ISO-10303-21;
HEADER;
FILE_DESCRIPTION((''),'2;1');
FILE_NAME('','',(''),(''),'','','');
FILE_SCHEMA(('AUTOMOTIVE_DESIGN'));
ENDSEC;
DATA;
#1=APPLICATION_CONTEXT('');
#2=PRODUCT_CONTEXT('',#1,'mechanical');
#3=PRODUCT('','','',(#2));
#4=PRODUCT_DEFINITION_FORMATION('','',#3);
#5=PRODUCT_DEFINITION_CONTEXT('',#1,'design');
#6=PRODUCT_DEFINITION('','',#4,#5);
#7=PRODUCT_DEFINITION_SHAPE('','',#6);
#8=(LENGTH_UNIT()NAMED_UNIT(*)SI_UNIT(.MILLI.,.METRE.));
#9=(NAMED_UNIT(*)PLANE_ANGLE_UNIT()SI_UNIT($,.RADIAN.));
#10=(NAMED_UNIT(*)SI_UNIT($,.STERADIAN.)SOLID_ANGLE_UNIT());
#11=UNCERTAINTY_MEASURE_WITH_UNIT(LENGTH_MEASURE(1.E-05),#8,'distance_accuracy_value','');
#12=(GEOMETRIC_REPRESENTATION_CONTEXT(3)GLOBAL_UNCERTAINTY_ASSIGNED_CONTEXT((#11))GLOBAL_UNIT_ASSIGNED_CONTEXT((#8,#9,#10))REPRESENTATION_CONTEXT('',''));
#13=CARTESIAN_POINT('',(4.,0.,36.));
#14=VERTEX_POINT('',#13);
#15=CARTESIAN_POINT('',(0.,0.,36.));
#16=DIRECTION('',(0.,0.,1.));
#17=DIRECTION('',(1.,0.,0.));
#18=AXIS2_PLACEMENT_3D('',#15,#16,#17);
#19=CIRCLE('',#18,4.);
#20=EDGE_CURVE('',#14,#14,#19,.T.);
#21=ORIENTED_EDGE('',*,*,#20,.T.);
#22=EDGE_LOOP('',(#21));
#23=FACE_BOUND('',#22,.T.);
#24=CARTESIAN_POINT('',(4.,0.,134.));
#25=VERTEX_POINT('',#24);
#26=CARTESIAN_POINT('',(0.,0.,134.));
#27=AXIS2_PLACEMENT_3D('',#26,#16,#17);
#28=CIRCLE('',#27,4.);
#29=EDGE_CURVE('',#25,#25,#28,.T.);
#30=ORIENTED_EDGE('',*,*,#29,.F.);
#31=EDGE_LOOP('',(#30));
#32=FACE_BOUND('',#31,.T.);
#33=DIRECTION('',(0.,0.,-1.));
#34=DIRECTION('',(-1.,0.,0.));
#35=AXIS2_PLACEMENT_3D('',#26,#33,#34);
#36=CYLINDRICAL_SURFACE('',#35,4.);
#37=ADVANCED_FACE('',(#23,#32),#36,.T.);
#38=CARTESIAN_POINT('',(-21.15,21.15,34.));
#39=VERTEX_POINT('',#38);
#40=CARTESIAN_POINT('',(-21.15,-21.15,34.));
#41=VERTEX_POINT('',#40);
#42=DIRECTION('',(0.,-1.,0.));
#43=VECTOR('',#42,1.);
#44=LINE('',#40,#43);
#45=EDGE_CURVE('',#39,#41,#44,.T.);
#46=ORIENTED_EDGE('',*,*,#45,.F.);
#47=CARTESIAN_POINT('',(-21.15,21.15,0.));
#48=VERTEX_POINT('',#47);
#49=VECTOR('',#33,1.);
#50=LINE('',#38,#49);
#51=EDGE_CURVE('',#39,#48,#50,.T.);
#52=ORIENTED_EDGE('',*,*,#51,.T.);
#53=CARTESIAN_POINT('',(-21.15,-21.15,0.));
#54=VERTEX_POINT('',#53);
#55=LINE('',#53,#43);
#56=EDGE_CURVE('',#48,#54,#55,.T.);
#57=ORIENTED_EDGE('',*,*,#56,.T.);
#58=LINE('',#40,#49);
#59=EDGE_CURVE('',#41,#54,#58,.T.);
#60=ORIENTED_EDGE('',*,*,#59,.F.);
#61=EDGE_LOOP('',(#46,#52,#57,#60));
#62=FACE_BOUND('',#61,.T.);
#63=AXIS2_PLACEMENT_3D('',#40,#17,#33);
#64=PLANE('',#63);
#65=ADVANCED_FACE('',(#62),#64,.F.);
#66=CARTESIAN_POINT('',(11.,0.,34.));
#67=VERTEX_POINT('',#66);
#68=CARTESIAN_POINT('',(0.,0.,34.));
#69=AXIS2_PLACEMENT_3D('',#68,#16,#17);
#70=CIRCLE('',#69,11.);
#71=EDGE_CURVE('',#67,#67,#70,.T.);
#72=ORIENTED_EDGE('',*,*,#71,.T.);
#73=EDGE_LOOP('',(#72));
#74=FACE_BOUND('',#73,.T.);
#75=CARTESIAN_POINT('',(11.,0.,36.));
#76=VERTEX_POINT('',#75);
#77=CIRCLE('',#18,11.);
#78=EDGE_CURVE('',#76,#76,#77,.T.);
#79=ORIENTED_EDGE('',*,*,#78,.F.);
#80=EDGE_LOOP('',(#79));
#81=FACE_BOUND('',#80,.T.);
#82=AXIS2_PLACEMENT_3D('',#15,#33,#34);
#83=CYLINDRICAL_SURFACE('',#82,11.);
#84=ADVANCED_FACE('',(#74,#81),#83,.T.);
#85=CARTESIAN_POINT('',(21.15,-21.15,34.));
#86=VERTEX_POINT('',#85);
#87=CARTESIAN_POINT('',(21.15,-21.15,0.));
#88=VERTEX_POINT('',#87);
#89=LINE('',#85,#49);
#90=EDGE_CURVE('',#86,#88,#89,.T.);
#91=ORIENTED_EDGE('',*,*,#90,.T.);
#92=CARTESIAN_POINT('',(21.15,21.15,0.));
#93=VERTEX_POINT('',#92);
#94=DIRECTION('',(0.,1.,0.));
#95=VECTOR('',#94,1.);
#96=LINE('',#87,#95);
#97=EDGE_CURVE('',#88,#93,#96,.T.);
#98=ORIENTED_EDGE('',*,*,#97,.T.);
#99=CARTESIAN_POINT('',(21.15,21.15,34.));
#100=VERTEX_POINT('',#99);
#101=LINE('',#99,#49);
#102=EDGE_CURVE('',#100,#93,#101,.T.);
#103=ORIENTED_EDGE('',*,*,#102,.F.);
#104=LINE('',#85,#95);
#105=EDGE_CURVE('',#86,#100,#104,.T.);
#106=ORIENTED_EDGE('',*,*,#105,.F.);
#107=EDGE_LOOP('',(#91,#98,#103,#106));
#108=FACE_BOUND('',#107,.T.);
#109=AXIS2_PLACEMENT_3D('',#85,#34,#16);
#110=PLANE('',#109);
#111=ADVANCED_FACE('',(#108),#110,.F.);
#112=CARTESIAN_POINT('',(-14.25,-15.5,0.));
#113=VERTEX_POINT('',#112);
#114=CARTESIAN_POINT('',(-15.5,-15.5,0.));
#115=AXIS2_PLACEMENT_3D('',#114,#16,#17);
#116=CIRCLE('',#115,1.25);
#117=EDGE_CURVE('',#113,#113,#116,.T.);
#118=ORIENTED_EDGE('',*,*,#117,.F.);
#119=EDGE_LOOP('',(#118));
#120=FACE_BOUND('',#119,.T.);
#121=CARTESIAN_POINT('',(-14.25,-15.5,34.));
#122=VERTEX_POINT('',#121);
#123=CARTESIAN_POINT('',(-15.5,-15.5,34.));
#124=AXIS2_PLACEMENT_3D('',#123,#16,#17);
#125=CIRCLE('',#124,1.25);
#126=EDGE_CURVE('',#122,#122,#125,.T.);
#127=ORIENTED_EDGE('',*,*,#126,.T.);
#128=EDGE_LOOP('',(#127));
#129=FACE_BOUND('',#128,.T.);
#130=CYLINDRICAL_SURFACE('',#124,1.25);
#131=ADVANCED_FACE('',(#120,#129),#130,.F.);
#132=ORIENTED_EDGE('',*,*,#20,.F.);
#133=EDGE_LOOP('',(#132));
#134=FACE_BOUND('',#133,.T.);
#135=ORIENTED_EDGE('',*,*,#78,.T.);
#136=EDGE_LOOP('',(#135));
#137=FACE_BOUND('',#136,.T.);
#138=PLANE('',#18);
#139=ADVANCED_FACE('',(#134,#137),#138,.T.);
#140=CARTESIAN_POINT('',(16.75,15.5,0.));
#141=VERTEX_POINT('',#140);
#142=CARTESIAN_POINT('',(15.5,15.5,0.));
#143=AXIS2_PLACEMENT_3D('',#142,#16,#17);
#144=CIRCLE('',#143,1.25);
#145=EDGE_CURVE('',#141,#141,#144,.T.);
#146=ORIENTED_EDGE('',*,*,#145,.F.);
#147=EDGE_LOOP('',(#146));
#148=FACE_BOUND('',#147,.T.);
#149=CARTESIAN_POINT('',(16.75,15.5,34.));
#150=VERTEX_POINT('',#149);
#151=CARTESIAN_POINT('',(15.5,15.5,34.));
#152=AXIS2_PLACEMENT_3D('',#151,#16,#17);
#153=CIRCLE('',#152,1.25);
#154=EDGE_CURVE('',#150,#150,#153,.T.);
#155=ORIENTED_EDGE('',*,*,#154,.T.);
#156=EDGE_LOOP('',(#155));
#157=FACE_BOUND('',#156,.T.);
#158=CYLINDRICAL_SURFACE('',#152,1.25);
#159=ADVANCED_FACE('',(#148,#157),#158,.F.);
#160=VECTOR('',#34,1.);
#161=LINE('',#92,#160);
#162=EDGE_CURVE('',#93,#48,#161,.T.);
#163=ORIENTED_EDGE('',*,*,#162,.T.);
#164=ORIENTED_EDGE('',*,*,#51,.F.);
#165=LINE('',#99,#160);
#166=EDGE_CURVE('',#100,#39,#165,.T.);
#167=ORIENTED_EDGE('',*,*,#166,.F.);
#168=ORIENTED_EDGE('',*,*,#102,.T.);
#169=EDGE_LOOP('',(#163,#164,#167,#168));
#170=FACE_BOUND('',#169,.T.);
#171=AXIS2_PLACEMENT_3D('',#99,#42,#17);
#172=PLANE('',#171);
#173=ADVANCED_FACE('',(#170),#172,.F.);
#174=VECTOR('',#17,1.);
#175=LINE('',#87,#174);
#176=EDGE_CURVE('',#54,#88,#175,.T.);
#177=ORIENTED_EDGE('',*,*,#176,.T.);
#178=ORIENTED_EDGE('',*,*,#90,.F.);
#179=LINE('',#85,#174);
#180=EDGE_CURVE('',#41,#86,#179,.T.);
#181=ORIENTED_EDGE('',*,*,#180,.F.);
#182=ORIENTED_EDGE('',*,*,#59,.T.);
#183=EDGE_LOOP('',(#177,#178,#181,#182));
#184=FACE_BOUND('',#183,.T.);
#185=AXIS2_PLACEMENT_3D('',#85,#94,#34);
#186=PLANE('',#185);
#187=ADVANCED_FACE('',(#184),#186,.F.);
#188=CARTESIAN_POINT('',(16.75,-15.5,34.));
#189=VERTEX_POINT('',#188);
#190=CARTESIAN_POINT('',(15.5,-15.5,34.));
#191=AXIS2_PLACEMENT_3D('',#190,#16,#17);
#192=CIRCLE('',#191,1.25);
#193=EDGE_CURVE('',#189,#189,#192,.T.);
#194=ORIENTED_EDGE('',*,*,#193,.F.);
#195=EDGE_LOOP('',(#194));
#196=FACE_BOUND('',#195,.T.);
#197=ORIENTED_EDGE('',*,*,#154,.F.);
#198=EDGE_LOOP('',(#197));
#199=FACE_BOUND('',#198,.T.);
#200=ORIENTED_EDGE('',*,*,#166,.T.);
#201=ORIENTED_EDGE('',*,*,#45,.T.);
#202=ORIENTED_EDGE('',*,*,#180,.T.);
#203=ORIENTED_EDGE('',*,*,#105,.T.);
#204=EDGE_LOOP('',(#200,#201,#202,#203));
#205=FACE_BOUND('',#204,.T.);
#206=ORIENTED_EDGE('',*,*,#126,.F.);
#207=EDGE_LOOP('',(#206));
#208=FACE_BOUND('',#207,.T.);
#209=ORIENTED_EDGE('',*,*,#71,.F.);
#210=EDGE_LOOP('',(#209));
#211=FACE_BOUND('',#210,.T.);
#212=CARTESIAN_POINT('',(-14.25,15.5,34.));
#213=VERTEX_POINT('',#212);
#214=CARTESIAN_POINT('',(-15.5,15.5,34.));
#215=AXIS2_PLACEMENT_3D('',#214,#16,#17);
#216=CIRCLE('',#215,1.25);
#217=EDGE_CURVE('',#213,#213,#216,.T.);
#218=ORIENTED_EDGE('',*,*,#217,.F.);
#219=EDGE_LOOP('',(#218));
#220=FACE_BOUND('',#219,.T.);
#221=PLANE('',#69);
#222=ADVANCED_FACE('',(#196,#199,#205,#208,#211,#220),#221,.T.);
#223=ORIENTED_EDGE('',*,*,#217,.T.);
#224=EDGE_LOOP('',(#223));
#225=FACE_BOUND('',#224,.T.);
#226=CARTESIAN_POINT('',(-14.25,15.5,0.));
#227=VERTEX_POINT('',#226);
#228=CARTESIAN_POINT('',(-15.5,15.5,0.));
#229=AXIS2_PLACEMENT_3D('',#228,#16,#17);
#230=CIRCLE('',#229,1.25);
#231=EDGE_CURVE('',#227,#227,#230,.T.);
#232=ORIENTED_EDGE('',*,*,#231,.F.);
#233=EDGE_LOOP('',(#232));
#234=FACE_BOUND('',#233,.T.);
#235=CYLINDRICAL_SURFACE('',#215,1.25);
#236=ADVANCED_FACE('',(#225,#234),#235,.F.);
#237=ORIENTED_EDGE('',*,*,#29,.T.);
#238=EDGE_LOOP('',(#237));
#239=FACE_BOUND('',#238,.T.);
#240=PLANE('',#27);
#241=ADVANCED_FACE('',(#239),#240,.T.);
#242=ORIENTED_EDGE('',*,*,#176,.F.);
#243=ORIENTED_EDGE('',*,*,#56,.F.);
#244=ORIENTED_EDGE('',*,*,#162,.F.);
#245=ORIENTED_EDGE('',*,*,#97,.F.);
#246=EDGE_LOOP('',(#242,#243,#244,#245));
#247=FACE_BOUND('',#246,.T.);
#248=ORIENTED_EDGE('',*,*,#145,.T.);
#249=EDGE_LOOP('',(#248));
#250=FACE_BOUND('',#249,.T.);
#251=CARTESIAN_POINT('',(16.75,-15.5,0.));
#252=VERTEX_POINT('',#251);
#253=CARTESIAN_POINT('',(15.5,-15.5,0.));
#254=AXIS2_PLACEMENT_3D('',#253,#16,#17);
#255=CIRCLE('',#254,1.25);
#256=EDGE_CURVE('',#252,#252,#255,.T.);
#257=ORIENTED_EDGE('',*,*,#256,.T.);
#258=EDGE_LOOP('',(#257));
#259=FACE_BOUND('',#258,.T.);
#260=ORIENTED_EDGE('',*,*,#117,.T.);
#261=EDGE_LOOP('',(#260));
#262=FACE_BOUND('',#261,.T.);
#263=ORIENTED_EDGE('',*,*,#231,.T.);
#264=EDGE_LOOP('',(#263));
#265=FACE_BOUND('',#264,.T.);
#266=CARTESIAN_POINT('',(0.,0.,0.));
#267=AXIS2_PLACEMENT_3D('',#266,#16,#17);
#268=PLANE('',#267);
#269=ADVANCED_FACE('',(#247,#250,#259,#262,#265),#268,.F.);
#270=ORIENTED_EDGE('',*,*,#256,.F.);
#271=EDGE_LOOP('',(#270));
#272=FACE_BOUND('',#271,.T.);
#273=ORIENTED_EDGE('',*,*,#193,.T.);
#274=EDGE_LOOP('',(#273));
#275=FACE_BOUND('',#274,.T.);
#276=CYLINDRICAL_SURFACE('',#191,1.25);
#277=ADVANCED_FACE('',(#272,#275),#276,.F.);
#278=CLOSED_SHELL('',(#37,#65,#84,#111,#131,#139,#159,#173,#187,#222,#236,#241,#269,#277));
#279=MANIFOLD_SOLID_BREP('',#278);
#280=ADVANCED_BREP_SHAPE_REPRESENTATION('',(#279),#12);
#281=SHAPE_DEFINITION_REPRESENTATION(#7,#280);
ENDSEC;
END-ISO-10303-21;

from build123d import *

# Parameters (mm, degrees)
SKETCH_1_W         = 42.3
SKETCH_1_H         = 42.3
EXTRUDE_1_DEPTH    = 34
SKETCH_2_R         = 11
EXTRUDE_2_DEPTH    = 2
SKETCH_3_R         = 4
EXTRUDE_3_DEPTH    = 98
HOLE_WIZARD_M3_1_D = 2.5


with BuildPart() as part:
    # 草图1 → 凸台-拉伸1 (new body)
    with BuildSketch(Plane.XY):
        Rectangle(SKETCH_1_W, SKETCH_1_H)
    extrude(amount=EXTRUDE_1_DEPTH)

    # 草图2 → 凸台-拉伸2 (add)
    with BuildSketch(Plane.XY.offset(34)):
        Circle(SKETCH_2_R)
    extrude(amount=EXTRUDE_2_DEPTH)

    # 草图3 → 凸台-拉伸3 (add)
    with BuildSketch(Plane.XY.offset(36)):
        Circle(SKETCH_3_R)
    extrude(amount=EXTRUDE_3_DEPTH)

    # M3 螺纹孔1 (through all)
    with Locations(Plane.XY.offset(34)):
        with Locations((-15.5, 15.5), (15.5, 15.5), (15.5, -15.5), (-15.5, -15.5)):
            Hole(HOLE_WIZARD_M3_1_D / 2)


solid = part.part
